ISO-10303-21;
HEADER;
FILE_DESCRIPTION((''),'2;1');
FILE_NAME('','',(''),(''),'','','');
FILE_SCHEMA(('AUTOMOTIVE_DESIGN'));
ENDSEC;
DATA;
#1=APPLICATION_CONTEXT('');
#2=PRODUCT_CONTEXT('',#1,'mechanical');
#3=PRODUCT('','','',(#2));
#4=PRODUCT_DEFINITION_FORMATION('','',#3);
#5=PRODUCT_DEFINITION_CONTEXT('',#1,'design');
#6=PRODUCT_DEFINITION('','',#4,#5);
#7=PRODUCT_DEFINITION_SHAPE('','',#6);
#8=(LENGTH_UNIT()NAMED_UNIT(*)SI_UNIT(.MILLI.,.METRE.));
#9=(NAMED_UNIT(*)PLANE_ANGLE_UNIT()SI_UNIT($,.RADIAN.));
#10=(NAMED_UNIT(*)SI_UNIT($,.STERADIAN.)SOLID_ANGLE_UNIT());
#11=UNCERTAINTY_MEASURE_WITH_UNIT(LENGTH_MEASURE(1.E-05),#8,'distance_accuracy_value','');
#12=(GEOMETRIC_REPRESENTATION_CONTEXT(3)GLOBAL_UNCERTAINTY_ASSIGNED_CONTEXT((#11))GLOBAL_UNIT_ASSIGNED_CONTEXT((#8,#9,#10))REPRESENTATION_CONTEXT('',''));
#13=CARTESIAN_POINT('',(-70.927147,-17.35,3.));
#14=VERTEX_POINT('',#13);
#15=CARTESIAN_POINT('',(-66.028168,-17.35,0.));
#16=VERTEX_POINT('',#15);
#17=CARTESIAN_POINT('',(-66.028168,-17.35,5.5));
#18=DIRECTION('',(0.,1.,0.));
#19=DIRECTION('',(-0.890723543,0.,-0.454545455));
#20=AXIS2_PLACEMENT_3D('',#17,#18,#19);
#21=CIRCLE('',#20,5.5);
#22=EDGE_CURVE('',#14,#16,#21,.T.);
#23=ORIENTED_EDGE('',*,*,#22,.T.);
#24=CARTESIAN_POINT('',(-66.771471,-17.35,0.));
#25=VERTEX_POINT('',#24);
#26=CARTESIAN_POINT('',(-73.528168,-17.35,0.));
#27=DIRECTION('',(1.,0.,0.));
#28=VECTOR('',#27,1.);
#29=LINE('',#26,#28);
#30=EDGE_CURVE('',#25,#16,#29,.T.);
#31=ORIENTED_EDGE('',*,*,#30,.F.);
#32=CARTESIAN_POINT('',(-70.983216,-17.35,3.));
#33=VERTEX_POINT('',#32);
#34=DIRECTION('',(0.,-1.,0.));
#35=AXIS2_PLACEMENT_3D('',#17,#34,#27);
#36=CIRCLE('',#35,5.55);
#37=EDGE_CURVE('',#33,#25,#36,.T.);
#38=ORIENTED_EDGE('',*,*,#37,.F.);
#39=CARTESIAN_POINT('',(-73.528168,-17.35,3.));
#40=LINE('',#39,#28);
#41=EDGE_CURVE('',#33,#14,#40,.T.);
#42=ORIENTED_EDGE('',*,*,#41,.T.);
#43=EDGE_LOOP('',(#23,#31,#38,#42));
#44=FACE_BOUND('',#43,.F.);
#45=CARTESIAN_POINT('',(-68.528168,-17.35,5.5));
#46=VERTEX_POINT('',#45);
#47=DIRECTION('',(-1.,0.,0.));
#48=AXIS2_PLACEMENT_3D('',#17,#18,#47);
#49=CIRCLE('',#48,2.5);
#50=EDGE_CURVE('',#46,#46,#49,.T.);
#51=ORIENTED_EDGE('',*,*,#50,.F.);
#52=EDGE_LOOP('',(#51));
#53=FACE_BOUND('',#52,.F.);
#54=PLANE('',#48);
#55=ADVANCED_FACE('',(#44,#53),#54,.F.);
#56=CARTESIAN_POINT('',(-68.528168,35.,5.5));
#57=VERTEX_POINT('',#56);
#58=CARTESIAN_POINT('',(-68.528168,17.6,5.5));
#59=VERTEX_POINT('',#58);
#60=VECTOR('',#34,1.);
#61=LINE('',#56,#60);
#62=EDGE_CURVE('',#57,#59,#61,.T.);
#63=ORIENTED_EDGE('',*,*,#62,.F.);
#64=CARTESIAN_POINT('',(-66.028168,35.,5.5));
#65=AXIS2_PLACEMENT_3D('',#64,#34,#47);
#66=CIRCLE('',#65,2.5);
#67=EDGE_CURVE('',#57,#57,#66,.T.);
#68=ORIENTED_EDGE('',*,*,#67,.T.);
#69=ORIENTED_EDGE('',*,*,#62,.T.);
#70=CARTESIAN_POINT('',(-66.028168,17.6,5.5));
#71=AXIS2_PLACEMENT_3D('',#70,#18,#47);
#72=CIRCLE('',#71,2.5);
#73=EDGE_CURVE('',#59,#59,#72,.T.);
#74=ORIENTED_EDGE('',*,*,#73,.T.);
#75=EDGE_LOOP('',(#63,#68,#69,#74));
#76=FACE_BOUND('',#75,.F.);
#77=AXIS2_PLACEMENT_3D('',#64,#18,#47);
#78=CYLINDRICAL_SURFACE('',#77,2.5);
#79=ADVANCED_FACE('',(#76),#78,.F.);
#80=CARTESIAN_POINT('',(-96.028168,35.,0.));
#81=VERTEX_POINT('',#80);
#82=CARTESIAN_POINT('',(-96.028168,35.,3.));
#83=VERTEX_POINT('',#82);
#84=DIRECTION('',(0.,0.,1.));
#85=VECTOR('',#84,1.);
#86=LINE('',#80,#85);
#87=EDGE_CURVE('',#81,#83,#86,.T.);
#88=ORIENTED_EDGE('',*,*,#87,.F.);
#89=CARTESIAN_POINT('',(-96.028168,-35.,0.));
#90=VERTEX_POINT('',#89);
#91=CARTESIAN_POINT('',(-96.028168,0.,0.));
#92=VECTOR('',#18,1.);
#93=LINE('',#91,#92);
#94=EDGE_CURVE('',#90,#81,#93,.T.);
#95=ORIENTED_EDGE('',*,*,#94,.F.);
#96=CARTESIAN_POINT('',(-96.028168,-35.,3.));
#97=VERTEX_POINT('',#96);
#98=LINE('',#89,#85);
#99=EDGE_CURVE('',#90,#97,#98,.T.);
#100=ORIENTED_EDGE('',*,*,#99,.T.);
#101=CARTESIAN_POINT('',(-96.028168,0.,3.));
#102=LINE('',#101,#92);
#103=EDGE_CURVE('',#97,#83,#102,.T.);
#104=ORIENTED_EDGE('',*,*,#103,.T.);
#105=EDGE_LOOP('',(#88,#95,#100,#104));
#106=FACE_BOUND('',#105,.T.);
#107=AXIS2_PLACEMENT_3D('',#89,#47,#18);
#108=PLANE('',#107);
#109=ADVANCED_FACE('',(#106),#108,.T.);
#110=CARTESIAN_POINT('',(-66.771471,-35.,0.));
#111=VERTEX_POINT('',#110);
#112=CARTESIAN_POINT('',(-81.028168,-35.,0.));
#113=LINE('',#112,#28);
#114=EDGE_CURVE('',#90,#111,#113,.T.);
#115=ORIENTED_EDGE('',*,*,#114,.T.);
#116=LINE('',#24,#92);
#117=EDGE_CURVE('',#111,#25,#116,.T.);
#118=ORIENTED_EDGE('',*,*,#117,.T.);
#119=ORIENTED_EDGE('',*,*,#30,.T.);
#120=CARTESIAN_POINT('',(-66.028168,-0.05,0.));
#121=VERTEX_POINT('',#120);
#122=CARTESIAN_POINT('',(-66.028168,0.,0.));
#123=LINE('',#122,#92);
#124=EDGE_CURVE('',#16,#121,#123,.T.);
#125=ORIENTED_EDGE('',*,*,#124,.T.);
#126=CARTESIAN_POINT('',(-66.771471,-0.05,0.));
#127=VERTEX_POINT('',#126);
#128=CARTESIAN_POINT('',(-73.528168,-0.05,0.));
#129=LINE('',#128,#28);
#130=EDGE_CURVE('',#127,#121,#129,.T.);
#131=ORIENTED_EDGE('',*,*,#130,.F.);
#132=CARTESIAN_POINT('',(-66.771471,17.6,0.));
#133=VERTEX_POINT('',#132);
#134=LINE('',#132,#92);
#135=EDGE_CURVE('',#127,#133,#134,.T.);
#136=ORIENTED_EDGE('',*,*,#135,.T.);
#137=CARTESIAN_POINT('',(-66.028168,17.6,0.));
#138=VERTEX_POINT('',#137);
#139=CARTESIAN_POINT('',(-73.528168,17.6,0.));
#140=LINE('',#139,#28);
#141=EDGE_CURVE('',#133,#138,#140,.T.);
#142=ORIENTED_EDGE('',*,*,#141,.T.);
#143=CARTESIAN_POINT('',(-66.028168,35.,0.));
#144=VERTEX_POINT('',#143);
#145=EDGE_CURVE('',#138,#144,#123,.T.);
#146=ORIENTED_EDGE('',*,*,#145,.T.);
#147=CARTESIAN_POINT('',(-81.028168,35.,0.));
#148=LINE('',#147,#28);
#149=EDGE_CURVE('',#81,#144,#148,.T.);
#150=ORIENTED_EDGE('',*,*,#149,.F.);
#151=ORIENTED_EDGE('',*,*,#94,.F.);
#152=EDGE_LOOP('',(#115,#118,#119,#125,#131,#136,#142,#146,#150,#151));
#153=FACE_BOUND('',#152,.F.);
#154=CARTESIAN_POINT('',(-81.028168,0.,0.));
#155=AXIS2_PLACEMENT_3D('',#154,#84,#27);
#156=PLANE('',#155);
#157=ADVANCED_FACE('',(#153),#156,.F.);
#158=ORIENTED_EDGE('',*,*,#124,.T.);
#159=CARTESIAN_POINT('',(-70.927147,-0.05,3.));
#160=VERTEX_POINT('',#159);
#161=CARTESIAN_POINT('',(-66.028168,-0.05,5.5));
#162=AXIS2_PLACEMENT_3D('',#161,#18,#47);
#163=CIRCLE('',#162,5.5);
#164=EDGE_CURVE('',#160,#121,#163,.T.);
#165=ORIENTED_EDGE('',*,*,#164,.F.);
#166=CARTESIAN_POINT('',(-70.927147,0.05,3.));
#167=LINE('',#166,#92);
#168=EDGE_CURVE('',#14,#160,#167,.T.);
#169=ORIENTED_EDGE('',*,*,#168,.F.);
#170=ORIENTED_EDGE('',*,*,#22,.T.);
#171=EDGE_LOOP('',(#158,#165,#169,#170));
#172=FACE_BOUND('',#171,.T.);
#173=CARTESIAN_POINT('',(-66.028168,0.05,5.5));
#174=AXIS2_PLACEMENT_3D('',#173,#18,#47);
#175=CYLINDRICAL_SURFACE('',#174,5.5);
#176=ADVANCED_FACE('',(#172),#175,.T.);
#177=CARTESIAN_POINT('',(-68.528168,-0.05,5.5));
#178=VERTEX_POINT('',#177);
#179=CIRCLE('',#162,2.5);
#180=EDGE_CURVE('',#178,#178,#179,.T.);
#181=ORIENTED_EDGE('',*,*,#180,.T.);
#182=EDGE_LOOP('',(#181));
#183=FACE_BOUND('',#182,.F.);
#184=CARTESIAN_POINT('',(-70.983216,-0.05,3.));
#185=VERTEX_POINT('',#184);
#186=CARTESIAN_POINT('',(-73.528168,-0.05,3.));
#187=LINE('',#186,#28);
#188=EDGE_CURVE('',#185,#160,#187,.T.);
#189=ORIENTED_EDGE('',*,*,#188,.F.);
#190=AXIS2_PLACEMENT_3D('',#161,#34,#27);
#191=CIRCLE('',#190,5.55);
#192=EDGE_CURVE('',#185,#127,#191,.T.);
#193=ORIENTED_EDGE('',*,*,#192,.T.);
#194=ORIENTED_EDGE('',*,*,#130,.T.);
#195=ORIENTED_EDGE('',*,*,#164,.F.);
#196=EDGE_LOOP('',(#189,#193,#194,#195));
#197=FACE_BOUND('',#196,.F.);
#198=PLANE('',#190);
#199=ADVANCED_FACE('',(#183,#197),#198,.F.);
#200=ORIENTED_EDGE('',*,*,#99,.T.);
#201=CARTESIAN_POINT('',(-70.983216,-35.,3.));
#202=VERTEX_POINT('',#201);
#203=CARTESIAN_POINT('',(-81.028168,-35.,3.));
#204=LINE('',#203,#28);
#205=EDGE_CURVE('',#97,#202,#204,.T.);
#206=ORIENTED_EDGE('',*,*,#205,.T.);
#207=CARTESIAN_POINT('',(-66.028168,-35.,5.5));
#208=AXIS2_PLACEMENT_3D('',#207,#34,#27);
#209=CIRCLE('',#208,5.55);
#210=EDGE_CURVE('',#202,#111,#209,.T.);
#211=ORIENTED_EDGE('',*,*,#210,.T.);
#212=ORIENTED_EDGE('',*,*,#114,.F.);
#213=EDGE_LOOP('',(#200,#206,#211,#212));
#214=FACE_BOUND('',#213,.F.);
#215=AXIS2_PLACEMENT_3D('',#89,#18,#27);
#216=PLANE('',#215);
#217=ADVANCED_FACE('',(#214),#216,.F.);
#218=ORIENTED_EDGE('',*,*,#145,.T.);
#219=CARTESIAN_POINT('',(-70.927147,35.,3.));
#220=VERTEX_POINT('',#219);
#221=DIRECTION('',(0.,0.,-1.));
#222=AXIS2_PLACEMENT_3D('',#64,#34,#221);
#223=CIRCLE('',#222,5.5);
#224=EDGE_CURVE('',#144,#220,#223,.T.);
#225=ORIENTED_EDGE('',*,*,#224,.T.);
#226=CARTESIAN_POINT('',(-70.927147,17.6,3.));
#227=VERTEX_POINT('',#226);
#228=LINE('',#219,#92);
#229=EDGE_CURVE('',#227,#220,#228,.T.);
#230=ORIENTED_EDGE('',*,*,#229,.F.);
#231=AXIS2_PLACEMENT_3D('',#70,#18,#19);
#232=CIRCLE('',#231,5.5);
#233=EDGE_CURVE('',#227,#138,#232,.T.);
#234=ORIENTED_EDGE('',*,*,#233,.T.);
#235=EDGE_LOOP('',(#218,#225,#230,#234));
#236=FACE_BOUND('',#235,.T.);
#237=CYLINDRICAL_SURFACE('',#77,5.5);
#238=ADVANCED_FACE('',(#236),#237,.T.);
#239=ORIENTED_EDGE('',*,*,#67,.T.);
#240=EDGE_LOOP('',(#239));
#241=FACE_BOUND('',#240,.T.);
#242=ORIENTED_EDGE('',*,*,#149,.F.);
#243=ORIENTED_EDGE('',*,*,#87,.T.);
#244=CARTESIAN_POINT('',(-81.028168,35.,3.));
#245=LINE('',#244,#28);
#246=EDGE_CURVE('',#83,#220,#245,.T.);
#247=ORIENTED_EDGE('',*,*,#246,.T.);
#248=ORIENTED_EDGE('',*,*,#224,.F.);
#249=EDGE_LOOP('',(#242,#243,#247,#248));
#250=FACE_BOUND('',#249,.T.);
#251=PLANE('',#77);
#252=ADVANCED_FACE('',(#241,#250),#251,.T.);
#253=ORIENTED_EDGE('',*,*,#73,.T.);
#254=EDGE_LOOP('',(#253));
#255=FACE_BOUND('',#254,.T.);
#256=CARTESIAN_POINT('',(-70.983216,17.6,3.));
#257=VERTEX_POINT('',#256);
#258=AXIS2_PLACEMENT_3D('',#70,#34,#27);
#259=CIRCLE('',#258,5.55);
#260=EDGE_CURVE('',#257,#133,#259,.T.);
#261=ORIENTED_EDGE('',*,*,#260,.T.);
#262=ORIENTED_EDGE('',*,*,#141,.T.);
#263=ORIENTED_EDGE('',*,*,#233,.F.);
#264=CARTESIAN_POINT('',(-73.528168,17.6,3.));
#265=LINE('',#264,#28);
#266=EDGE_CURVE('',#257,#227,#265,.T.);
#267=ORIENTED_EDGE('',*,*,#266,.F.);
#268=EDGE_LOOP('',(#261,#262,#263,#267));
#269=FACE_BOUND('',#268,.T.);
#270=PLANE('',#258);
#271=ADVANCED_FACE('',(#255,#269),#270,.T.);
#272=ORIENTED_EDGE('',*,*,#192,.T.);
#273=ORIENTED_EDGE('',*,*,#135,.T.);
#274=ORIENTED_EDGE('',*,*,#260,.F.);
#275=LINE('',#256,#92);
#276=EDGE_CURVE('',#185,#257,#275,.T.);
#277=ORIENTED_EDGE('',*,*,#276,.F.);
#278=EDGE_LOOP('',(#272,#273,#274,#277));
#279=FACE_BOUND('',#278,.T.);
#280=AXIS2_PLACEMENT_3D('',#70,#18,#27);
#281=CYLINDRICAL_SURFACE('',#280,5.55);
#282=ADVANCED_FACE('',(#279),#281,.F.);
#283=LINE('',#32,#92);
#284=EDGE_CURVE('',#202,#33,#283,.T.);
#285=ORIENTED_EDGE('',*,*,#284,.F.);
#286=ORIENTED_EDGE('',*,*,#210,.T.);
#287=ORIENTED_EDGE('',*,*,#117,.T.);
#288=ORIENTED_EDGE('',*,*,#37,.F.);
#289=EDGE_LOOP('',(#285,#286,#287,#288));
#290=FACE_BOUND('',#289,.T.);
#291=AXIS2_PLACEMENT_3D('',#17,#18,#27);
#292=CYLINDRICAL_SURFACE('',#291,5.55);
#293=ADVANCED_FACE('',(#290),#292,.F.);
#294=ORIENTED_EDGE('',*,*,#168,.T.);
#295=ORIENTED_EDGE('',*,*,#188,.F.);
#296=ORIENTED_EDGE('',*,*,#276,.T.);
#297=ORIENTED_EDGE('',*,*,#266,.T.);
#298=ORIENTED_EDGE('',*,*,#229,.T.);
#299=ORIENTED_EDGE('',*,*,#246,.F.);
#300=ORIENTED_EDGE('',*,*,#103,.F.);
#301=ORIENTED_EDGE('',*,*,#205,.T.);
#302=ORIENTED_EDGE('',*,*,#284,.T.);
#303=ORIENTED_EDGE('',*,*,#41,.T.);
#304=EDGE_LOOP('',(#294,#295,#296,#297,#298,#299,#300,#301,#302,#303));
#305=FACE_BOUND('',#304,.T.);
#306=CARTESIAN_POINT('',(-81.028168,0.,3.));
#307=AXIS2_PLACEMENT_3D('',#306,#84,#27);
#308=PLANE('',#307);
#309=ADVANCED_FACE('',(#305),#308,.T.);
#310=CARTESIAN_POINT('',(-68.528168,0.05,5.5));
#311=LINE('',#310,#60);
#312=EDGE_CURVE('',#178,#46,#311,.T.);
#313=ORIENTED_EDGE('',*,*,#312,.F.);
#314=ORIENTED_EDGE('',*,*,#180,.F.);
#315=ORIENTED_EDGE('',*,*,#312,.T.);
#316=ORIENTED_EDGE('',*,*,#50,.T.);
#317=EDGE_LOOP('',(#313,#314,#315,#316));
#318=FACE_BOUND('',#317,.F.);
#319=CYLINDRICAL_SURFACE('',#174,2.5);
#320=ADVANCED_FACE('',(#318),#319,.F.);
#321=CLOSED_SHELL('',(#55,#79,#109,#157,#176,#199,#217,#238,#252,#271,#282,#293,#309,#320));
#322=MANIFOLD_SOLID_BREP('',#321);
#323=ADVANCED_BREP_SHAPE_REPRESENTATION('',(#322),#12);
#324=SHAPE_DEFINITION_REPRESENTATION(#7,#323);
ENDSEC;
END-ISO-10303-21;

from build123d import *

# Parameters (mm, degrees)
SKETCH002_W            = 30
SKETCH002_H            = 70
PAD002_DEPTH           = 3
SKETCH003_R            = 5.5
SKETCH003_R_2          = 2.5
PAD003_DEPTH           = 17.4
LINEARPATTERN001_COUNT = 2
LINEARPATTERN001_PITCH = 34.95
SKETCH008_R            = 5.55
POCKET001_DEPTH        = 17.65
SKETCH009_R            = 5.55
POCKET002_DEPTH        = 17.65


with BuildPart() as part:
    # Sketch002 → Pad002 (new body)
    with BuildSketch(Plane.XY):
        with Locations((-81.028168, 0)):
            Rectangle(SKETCH002_W, SKETCH002_H)
    extrude(amount=PAD002_DEPTH)

    # Sketch003 (on Face1 of Pad002) → Pad003 (join)
    with BuildSketch(Plane(origin=(0, 35, 0), x_dir=(-1, 0, 0), z_dir=(0, 1, 0))):
        with Locations((66.028168, 5.5)):
            Circle(SKETCH003_R)
        with Locations((66.028168, 5.5)):
            Circle(SKETCH003_R_2, mode=Mode.SUBTRACT)
    pad003 = extrude(amount=-PAD003_DEPTH)

    # LinearPattern001: Pad003 ×2
    with Locations(*[(0, -i * LINEARPATTERN001_PITCH, 0) for i in range(1, LINEARPATTERN001_COUNT)]):
        add(pad003)

    # Sketch008 (on Face12 of MultiTransform001) → Pocket001 (cut)
    with BuildSketch(Plane.XZ.offset(-17.6)):
        with Locations((-66.028168, 5.5)):
            Circle(SKETCH008_R)
    extrude(amount=POCKET001_DEPTH, mode=Mode.SUBTRACT)

    # Sketch009 (on Face10 of MultiTransform001) → Pocket002 (cut)
    with BuildSketch(Plane.XZ.offset(17.35)):
        with Locations((-66.028168, 5.5)):
            Circle(SKETCH009_R)
    extrude(amount=POCKET002_DEPTH, mode=Mode.SUBTRACT)


solid = part.part
